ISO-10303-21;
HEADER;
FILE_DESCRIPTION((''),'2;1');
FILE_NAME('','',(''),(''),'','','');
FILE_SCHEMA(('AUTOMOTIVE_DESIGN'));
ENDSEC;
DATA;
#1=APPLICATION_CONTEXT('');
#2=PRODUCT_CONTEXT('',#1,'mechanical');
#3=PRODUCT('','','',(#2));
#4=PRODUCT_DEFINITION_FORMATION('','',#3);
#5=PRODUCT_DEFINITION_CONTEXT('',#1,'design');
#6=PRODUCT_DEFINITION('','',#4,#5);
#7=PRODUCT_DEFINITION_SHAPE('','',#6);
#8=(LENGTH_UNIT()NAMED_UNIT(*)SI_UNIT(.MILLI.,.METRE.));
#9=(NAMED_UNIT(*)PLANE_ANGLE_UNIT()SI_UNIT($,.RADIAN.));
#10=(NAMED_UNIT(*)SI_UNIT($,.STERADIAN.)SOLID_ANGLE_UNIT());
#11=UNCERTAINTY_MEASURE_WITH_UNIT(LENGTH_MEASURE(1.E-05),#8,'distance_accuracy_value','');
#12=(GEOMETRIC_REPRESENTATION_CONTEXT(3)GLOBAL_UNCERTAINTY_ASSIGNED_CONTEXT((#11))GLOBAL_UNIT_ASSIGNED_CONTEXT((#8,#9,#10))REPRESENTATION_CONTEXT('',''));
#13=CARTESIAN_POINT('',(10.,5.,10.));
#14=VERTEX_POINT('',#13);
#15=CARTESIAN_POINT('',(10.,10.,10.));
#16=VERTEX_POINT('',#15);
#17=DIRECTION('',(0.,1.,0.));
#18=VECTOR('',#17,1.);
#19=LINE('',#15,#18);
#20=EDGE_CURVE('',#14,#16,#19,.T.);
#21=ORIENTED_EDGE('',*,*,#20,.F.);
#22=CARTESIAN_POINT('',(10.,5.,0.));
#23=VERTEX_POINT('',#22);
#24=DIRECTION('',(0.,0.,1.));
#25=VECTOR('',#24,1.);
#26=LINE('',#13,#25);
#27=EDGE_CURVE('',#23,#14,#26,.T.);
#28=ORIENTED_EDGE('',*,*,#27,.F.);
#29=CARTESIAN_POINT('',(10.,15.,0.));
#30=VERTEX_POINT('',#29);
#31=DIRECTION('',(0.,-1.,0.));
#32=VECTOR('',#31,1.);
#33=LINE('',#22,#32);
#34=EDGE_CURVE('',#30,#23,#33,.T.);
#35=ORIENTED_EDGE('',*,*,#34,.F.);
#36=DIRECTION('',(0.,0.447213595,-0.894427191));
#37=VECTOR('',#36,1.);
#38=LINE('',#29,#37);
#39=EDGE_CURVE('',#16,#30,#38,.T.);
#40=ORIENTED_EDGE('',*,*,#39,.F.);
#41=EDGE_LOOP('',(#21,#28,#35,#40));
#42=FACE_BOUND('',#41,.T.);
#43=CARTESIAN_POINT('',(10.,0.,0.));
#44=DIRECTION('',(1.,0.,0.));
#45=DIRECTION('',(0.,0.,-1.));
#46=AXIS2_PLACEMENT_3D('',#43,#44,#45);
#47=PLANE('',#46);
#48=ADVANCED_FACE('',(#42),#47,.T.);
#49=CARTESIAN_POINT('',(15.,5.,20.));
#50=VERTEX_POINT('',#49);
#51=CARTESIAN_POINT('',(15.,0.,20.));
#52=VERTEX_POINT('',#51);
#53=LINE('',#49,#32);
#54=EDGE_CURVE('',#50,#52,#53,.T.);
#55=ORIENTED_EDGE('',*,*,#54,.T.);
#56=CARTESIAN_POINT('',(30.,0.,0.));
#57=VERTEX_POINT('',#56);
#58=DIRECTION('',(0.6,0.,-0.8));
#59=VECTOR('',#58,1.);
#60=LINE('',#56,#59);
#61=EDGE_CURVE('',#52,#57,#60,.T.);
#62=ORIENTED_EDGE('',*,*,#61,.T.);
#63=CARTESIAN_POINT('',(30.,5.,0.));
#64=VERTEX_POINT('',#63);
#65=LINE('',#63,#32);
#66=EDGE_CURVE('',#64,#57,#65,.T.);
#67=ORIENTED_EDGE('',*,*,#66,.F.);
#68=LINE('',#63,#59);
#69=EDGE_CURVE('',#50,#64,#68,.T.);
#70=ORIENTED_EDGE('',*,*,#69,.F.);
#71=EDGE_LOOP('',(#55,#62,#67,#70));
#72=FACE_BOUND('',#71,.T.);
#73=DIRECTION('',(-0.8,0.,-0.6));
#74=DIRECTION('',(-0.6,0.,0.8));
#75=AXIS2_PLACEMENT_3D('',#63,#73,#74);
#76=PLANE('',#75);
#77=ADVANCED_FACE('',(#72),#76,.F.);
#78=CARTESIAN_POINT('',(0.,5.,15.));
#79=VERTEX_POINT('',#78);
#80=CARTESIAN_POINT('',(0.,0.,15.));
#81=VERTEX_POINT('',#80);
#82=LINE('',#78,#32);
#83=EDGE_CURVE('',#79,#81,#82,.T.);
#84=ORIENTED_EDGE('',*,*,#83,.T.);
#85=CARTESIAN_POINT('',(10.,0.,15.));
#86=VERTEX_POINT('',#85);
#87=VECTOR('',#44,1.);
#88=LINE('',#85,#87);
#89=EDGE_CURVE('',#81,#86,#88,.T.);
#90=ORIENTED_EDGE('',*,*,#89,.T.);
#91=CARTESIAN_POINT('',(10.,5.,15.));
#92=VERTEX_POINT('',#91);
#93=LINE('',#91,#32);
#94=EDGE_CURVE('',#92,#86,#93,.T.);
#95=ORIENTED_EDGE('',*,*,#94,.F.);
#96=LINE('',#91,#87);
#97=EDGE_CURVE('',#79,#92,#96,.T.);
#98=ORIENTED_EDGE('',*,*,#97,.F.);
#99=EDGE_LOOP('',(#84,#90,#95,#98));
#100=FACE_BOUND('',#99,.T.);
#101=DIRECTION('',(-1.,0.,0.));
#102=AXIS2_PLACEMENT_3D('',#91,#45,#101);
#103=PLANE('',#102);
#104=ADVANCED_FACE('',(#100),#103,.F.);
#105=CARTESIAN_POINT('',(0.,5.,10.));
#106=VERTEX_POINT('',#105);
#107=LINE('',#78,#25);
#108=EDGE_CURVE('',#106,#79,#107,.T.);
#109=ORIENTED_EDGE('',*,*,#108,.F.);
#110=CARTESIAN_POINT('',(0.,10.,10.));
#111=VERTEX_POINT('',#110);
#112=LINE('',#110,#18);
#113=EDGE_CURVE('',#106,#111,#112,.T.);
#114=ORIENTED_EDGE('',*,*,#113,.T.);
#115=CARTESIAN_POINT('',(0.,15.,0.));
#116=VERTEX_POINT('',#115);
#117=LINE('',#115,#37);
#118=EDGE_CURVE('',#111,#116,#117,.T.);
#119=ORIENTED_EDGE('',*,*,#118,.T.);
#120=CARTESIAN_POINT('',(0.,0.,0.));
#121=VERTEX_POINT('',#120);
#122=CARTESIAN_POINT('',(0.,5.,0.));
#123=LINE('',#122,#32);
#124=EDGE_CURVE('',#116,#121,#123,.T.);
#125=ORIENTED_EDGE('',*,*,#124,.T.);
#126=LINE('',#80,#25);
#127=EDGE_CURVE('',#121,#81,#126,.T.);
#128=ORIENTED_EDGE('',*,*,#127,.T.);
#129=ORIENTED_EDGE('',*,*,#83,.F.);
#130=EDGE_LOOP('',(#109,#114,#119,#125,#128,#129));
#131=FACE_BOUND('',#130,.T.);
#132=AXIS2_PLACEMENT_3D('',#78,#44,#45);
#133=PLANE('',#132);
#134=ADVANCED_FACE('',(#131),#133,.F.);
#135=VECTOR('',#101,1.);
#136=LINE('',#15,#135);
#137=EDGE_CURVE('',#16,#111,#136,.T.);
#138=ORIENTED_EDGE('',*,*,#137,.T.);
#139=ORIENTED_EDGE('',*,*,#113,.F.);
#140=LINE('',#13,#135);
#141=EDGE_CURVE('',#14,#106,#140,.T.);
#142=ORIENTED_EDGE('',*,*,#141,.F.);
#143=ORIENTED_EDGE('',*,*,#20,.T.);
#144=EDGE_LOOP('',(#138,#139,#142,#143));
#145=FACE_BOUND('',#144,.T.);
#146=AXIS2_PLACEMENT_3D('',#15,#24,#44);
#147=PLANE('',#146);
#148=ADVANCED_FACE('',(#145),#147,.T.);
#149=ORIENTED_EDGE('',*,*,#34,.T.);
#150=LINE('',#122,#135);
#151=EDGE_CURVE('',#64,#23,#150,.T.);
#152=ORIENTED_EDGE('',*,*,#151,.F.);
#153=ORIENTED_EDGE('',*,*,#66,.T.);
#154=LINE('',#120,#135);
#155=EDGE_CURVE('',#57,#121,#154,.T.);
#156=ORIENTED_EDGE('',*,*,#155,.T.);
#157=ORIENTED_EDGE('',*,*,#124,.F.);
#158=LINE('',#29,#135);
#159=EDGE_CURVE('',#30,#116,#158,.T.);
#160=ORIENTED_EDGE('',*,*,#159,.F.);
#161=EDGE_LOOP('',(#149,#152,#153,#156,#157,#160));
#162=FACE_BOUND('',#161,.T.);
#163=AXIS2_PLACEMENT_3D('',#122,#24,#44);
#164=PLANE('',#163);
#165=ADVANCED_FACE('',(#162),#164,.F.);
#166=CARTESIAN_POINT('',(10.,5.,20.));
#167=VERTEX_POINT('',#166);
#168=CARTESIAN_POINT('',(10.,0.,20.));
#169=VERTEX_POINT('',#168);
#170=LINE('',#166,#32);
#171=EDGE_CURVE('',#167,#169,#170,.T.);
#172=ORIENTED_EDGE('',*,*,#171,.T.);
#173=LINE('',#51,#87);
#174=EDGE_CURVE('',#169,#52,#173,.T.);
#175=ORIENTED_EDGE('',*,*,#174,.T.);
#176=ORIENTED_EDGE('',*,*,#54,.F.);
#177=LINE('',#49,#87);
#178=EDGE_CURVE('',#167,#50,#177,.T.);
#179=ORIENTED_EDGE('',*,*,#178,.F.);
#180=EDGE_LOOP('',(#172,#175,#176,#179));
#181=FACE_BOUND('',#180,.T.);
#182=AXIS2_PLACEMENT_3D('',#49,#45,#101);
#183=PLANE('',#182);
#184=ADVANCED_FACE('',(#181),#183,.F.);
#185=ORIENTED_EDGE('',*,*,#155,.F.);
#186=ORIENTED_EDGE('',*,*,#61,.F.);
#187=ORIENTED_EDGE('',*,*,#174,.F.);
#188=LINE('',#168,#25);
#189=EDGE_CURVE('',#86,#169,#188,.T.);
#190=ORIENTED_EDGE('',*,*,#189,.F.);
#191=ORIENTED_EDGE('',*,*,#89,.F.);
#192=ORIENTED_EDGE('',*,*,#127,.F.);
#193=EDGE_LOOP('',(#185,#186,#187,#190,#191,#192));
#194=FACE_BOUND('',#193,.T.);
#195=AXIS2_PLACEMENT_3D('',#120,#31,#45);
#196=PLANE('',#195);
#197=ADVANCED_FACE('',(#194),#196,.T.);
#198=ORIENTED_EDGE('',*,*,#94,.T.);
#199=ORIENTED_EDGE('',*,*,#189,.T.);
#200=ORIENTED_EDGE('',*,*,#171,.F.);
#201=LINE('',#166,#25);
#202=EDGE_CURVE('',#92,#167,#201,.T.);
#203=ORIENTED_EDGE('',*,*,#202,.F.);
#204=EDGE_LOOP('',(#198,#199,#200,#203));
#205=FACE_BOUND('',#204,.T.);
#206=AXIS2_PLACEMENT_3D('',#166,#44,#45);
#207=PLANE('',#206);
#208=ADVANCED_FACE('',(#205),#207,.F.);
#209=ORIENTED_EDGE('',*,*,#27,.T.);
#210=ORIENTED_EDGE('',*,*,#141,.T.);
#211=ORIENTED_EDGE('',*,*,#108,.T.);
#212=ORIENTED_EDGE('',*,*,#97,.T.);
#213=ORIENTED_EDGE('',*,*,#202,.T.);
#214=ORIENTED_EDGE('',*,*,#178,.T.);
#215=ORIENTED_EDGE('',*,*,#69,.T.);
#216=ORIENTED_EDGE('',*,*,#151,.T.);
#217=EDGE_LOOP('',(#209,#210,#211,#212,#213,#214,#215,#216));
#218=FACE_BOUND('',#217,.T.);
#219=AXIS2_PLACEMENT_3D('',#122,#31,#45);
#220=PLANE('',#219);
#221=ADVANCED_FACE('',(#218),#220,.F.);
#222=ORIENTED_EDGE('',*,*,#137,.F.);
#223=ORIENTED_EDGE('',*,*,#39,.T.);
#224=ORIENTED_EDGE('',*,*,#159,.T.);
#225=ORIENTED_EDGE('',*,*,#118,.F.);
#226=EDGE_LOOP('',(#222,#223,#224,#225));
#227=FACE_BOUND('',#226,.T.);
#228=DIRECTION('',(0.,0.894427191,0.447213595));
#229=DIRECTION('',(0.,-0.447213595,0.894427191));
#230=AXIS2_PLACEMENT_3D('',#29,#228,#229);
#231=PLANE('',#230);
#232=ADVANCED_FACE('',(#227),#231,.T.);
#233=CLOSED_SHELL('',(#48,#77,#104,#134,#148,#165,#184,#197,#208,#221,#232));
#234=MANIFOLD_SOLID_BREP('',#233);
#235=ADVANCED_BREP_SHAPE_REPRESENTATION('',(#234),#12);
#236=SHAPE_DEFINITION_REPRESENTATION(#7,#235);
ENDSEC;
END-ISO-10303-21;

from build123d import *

# Parameters (mm, degrees)
EXTRUDE_1_DEPTH = 5
EXTRUDE_2_DEPTH = 10


with BuildPart() as part:
    # 草圖1 → 填料-伸長1 (new body)
    with BuildSketch(Plane(origin=(0, 0, 0), x_dir=(1, 0, 0), z_dir=(0, 1, 0))):
        Polygon((0, 0), (30, 0), (15, -20), (10, -20), (10, -15), (0, -15), align=None)
    extrude(amount=EXTRUDE_1_DEPTH)

    # 草圖2 → 填料-伸長2 (add)
    with BuildSketch(Plane.ZY):
        Polygon((0, 5), (0, 15), (10, 10), (10, 5), align=None)
    extrude(amount=-EXTRUDE_2_DEPTH)


solid = part.part
